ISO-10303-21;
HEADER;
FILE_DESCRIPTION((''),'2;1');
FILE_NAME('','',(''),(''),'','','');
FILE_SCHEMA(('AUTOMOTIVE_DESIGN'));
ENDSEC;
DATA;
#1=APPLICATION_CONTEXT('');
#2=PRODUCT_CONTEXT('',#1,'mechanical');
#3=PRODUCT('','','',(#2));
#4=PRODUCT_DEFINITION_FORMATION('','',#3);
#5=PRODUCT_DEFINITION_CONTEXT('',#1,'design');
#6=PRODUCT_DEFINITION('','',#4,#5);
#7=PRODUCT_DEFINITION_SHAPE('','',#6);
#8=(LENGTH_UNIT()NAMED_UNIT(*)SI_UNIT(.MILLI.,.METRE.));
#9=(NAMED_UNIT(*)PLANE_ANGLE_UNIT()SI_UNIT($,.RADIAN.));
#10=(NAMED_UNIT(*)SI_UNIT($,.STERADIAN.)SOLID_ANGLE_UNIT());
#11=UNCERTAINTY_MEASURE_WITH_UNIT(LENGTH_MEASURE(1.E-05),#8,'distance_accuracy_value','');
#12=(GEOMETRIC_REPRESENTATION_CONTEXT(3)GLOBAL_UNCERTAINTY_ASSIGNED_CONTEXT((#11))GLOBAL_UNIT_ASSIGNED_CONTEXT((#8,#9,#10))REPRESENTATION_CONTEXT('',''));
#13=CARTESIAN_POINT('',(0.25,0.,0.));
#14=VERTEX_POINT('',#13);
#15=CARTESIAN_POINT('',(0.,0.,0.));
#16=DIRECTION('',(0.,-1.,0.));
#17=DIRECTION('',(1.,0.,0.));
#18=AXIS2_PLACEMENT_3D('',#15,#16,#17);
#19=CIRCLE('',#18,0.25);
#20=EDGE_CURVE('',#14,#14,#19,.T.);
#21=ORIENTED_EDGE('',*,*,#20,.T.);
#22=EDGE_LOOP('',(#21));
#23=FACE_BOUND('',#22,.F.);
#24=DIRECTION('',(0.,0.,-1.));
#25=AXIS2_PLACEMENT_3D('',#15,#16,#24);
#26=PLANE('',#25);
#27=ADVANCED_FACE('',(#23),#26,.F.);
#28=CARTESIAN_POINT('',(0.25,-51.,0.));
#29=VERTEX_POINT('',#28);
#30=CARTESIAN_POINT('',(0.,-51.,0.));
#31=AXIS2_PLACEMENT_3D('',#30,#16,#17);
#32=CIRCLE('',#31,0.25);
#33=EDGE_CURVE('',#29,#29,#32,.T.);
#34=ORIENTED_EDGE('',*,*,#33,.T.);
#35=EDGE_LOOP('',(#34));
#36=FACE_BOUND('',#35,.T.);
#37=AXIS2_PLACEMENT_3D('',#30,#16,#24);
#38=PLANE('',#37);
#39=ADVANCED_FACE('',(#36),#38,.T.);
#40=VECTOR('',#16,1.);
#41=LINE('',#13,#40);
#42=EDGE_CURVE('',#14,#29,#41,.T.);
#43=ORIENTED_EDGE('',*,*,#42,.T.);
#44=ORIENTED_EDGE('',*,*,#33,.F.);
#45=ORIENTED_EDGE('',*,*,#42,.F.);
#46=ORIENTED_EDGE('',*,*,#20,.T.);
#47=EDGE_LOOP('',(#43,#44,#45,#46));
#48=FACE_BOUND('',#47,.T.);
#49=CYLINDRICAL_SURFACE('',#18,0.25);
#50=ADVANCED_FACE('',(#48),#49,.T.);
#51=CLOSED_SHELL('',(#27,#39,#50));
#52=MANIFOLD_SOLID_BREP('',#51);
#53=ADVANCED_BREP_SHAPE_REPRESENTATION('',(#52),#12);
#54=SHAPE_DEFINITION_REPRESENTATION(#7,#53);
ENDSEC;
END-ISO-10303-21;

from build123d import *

# Parameters (mm, degrees)
F0_R = 0.25


with BuildPart() as f2:
    # F2: sweep along a path in F1
    with BuildLine(Plane.XY) as f2_path:
        Line((0, 0), (0, -51))
    # F0 (on Front) → F2 (sweep)
    with BuildSketch(Plane.XZ):
        Circle(F0_R)
    sweep(path=f2_path.line)


solid = f2.part
